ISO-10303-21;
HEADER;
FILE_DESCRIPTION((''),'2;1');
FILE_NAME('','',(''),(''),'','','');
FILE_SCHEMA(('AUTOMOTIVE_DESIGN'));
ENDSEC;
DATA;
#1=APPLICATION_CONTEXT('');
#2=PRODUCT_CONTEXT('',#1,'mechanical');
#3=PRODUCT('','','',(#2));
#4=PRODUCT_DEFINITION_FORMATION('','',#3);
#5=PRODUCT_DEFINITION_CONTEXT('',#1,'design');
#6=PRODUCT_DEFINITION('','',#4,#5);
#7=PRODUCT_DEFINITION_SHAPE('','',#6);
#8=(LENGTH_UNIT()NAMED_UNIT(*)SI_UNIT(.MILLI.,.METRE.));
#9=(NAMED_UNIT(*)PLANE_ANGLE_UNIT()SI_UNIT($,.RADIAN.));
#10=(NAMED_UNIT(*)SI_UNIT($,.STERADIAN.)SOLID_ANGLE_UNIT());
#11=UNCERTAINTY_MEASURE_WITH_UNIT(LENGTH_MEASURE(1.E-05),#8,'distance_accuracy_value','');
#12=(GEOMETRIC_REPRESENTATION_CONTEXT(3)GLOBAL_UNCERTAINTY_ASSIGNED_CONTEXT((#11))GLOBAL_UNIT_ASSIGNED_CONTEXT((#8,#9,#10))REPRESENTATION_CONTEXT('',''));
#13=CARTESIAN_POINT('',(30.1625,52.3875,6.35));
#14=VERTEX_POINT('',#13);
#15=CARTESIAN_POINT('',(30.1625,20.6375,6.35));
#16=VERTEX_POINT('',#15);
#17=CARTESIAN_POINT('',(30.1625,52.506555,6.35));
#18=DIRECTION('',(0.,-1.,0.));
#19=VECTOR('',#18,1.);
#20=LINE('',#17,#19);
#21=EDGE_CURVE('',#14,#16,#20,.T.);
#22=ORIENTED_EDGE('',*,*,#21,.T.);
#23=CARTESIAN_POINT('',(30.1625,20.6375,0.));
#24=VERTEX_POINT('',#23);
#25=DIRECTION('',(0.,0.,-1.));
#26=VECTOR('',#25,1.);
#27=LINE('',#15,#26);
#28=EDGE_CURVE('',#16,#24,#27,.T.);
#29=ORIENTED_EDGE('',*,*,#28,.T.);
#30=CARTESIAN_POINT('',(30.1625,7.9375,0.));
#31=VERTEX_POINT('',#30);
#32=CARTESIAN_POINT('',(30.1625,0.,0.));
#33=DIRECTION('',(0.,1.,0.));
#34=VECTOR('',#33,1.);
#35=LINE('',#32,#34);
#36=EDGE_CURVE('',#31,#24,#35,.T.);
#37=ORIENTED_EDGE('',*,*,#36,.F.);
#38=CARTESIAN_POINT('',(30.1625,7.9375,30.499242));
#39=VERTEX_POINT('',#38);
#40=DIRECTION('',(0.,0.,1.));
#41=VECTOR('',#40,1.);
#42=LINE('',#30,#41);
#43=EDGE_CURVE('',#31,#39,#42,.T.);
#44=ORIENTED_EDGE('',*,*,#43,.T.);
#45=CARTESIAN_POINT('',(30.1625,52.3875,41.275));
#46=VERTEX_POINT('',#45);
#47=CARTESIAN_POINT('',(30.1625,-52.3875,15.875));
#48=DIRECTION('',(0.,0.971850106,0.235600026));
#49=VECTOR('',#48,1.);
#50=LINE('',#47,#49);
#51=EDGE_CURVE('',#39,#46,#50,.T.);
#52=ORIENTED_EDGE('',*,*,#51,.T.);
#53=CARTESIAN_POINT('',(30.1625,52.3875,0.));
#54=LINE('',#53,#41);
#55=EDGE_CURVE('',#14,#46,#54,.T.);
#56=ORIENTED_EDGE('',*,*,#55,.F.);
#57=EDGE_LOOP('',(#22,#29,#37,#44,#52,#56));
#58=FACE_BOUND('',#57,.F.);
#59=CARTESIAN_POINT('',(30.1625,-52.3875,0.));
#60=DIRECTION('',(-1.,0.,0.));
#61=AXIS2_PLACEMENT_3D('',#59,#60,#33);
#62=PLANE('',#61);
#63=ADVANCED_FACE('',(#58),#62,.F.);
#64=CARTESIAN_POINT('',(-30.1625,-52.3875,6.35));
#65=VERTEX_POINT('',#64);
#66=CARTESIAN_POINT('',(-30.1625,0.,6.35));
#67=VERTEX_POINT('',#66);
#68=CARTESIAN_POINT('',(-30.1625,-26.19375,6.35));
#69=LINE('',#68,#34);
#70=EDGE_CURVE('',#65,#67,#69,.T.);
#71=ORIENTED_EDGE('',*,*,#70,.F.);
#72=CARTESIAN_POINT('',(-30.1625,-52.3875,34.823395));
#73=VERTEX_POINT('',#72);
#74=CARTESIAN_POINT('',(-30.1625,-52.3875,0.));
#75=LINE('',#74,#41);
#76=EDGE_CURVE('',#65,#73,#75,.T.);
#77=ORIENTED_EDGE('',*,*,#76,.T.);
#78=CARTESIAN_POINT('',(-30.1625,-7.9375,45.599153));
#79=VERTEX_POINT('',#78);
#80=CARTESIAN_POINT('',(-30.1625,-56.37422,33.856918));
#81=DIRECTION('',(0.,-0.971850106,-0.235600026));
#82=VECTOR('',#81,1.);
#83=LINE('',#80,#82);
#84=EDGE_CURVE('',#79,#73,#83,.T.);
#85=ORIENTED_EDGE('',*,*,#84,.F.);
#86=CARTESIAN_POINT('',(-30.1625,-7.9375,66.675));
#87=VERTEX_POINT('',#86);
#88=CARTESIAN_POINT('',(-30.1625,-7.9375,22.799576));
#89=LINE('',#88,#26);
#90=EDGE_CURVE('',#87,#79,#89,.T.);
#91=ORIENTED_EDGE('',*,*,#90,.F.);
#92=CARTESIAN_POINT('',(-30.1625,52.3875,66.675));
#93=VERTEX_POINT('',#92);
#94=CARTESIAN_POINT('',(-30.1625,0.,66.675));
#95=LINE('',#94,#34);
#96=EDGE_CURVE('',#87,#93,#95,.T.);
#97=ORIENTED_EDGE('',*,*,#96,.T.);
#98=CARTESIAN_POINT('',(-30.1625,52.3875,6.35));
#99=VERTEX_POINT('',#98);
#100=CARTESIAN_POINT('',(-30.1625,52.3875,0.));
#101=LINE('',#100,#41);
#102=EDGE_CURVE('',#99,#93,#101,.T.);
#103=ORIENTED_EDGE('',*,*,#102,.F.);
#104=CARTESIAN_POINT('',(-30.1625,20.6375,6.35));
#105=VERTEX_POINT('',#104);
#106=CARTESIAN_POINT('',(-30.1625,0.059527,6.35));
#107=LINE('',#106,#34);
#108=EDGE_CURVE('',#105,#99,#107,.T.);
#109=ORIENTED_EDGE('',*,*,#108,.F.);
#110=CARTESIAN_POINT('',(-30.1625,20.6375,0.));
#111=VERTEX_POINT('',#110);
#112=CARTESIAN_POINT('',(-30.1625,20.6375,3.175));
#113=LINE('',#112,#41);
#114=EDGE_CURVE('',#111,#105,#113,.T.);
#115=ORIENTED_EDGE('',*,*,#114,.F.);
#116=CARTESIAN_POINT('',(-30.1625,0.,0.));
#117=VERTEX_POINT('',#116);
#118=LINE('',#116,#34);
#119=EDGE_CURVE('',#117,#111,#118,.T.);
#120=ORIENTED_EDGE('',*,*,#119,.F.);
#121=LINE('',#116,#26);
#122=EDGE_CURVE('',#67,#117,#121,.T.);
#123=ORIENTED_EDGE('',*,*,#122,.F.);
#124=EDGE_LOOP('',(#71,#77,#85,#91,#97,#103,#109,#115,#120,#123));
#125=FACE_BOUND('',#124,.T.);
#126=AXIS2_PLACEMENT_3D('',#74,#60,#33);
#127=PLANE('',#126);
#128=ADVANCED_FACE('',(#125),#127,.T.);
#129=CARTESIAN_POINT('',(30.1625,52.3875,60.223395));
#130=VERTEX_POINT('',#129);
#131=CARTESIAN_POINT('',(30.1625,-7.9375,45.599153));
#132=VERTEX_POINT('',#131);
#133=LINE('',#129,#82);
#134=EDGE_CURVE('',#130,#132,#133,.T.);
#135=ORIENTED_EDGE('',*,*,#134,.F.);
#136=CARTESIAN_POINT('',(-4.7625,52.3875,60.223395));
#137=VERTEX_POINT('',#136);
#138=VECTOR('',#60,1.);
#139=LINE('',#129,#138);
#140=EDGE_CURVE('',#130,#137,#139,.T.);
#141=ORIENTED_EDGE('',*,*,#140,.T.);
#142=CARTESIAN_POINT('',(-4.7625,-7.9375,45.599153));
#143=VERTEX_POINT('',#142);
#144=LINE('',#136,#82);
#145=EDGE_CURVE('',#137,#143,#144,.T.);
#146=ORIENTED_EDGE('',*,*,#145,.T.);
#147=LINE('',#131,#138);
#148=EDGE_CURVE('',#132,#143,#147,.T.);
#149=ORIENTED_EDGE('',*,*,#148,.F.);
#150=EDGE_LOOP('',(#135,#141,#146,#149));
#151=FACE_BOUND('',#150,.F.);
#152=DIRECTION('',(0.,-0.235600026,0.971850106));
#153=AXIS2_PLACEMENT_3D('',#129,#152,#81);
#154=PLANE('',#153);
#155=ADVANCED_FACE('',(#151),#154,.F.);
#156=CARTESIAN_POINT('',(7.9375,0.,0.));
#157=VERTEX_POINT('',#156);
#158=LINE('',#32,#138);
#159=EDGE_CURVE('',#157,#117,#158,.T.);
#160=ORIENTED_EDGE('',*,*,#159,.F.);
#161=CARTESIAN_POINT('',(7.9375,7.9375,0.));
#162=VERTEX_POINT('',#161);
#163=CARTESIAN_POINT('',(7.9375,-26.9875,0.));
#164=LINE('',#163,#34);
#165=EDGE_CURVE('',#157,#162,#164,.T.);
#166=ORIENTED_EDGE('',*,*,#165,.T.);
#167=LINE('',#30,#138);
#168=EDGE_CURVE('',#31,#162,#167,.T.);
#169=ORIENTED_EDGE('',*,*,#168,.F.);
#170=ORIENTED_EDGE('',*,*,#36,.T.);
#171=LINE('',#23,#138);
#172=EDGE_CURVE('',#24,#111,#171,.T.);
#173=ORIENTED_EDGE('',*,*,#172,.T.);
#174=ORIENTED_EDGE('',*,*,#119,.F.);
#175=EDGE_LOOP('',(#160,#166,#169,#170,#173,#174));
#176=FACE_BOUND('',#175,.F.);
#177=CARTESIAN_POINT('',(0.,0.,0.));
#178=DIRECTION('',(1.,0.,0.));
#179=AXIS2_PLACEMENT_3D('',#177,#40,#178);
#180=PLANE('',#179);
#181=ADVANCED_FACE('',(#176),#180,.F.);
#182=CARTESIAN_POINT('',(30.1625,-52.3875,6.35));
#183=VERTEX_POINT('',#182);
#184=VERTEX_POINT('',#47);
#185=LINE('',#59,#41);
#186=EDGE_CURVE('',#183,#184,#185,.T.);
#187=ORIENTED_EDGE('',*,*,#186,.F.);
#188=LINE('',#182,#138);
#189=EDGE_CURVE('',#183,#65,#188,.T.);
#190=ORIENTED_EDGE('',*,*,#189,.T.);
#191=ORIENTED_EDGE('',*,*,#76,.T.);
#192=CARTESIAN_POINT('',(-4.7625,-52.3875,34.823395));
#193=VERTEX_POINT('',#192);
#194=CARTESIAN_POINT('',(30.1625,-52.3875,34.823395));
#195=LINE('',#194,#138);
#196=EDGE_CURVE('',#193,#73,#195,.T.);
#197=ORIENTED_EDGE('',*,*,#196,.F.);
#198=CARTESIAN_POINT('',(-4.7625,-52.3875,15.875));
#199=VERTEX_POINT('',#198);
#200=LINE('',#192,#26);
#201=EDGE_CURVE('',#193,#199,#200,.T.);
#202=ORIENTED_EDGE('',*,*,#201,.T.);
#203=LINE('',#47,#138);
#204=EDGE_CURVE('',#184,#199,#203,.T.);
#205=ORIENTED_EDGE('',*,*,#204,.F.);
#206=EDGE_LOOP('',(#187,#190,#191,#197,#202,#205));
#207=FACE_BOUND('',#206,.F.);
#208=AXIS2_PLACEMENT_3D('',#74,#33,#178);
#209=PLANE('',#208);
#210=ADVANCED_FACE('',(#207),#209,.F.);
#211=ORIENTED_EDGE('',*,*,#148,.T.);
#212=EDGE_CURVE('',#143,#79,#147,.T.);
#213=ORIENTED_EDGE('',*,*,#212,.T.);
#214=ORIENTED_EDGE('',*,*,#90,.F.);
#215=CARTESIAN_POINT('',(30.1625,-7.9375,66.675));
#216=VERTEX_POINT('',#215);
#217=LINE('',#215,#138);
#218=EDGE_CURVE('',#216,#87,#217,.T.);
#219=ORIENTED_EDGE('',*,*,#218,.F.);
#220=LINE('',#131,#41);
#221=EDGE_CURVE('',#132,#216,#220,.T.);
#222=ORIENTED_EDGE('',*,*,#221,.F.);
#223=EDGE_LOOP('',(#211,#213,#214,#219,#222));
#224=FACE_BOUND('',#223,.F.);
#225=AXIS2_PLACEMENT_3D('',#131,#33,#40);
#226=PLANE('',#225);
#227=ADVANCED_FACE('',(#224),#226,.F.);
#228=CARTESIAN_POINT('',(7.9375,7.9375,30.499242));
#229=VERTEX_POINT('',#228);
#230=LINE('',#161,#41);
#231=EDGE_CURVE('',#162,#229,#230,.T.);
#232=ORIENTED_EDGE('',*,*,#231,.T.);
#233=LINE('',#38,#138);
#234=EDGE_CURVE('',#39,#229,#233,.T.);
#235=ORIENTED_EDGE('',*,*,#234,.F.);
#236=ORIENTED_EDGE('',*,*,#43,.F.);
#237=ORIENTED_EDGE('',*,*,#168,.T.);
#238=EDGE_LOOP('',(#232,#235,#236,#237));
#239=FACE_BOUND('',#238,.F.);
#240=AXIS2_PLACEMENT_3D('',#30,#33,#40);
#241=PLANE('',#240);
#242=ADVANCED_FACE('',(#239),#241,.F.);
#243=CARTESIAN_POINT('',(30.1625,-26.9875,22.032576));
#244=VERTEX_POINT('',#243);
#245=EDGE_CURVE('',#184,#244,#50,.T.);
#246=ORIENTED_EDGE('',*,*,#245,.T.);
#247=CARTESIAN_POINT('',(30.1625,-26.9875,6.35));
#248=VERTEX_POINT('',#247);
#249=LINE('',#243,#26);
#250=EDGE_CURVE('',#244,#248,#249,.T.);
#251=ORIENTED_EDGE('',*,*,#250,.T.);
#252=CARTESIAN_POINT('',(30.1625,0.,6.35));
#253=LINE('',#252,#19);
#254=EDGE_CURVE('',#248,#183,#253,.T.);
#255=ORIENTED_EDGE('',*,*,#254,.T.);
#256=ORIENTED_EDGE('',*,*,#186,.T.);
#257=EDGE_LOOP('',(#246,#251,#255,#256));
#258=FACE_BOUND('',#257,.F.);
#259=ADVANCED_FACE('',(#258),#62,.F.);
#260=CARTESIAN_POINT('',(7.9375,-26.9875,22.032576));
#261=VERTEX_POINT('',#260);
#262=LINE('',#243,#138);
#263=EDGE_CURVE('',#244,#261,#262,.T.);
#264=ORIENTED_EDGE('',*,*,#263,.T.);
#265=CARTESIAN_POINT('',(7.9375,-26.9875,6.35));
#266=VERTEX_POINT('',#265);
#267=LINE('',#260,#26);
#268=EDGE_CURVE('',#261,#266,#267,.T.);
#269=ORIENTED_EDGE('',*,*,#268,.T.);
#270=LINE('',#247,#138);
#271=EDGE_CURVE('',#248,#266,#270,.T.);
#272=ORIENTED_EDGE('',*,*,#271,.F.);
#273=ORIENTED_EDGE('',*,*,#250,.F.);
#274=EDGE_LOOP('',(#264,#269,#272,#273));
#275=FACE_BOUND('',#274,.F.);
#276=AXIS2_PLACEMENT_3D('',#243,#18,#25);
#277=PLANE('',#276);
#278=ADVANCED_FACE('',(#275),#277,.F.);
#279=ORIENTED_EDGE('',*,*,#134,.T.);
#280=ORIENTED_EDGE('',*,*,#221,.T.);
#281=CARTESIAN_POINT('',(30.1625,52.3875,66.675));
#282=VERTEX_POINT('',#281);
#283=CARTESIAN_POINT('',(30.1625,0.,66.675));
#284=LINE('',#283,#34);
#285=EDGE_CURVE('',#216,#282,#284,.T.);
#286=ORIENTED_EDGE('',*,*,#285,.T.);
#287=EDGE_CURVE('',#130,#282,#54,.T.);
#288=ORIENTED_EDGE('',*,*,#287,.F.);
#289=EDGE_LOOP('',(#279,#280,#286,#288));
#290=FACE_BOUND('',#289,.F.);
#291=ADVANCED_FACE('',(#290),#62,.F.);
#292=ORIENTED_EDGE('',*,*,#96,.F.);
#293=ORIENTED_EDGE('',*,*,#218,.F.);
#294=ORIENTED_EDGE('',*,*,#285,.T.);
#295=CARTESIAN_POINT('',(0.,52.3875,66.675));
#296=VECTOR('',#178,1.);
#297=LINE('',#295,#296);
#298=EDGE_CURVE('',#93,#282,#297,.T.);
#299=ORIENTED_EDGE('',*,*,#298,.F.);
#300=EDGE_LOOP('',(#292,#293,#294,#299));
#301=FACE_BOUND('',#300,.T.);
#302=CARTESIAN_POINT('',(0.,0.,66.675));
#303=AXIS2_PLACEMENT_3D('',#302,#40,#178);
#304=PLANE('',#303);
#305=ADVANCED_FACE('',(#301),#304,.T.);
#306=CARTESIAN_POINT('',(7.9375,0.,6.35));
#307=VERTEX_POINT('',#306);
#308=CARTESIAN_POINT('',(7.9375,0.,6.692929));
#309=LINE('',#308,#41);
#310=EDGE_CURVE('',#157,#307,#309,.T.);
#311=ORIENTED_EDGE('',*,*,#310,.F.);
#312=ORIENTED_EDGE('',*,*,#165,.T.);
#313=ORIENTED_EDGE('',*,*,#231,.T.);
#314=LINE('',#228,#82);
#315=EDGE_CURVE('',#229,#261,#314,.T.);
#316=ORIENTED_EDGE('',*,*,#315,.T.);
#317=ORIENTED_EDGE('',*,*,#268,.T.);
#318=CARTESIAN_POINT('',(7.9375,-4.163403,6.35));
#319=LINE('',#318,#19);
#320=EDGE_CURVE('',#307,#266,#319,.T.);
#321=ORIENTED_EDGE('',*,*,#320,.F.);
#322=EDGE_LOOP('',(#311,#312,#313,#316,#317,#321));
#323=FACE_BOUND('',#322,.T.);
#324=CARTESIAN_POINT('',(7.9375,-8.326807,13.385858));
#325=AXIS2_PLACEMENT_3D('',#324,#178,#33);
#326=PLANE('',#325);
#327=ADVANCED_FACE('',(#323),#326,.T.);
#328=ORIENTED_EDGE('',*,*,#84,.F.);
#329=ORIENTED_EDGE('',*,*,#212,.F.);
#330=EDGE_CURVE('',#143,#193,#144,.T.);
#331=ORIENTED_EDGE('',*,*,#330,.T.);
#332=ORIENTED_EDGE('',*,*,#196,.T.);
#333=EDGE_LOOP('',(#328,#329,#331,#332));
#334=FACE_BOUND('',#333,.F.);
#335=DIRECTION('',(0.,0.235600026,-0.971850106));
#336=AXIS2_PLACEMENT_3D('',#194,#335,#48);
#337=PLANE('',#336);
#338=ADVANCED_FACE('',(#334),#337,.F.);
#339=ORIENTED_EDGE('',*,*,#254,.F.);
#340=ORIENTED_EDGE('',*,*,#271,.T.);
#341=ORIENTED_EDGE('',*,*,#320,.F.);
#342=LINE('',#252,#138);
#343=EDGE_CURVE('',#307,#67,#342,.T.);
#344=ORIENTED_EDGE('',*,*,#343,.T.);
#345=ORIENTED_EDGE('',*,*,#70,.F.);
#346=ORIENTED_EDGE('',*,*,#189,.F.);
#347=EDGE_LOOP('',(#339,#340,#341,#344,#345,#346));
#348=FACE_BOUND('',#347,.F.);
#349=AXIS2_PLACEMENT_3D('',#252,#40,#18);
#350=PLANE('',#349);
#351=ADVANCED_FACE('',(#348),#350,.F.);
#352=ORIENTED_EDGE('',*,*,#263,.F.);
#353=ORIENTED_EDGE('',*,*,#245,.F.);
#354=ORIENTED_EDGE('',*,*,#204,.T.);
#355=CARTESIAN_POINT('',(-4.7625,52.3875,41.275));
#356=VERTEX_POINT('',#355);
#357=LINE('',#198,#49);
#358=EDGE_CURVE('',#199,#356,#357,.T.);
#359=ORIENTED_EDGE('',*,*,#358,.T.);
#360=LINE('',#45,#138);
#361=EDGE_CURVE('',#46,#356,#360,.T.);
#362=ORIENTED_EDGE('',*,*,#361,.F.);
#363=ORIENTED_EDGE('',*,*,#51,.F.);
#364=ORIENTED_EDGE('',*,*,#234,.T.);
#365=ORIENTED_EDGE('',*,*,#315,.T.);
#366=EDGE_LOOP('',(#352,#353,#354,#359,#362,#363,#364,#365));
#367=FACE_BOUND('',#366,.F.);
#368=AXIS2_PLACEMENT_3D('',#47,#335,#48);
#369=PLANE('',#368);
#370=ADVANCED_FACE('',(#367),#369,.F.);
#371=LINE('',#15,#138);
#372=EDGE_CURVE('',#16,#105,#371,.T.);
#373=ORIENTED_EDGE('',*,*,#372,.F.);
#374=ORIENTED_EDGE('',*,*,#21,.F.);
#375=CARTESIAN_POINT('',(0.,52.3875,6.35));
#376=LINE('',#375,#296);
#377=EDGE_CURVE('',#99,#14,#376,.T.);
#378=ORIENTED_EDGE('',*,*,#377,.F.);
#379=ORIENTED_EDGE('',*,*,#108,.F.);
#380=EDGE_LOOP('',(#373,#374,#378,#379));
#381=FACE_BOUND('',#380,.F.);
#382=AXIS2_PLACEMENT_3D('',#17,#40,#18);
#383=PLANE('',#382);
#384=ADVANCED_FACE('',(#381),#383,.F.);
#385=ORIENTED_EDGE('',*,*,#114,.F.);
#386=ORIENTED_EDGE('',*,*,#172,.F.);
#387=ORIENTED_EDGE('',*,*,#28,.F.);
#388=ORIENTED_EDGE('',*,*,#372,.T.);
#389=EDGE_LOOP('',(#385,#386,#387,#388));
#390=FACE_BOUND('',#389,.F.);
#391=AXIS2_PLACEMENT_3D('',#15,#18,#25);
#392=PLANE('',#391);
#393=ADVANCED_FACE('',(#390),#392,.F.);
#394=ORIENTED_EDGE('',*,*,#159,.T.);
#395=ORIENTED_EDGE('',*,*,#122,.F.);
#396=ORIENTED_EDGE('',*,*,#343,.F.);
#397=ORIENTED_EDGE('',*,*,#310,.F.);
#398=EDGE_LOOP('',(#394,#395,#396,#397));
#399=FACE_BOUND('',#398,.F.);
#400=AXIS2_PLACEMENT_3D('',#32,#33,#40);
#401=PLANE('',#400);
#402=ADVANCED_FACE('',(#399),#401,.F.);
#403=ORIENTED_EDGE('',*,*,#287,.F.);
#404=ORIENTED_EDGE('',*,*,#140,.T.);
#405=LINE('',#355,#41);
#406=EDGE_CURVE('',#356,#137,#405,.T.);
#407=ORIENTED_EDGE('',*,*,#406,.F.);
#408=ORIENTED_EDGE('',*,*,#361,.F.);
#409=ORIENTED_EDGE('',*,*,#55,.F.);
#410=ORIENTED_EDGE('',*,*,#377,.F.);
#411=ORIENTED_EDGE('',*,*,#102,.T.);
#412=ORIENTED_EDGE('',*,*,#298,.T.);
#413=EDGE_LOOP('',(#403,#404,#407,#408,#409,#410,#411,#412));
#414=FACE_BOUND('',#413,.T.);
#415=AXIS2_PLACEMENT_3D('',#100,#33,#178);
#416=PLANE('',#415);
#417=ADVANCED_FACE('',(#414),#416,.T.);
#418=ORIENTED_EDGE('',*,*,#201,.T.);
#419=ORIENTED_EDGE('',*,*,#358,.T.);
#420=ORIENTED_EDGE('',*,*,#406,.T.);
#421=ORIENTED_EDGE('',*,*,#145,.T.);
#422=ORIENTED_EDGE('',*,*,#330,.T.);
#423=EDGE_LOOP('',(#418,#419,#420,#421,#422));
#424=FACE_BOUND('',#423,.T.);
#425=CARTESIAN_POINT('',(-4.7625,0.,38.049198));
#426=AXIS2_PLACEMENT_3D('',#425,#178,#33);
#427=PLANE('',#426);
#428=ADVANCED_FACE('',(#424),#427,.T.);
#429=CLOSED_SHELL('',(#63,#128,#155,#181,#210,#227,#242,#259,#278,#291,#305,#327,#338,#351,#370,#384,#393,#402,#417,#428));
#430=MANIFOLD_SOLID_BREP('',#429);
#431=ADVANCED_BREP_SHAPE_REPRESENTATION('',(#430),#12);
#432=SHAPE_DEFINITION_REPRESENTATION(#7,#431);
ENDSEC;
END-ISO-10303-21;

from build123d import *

# Parameters (mm, degrees)
F0_W     = 60.325
F0_H     = 104.775
F1_DEPTH = 66.675
F3_DEPTH = 34.925
F5_DEPTH = 22.225
F6_W     = 26.9875
F6_H     = 6.35
F6_W_2   = 25.4
F7_DEPTH = 60.326
F9_DEPTH = 60.326


with BuildPart() as f1:
    # F0 (on Top) → F1 (new body)
    with BuildSketch(Plane.XY):
        Rectangle(F0_W, F0_H)
    extrude(amount=F1_DEPTH)

    # F2 (on face) → F3 (cut)
    with BuildSketch(Plane.YZ.offset(30.1625)):
        Polygon((-52.3875, 34.8233953258), (-52.3875, 15.875), (52.3875, 41.275), (52.3875, 60.2233953258), align=None)
    extrude(amount=-F3_DEPTH, mode=Mode.SUBTRACT)

    # F4 (on face) → F5 (cut)
    with BuildSketch(Plane.YZ.offset(30.1625)):
        Polygon((7.9375, 0), (7.9375, 30.4992424242), (-26.9875, 22.0325757576), (-26.9875, 0), align=None)
    extrude(amount=-F5_DEPTH, mode=Mode.SUBTRACT)

    # F6 (on face) → F7 (cut, through all)
    with BuildSketch(Plane.YZ.offset(30.1625)):
        with Locations((-13.49375, 3.175)):
            Rectangle(F6_W, F6_H)
        with Locations((-39.6875, 3.175)):
            Rectangle(F6_W_2, F6_H)
        Polygon((52.8014078736, 0), (52.5065548718, 6.35), (20.6375, 6.35), (20.6375, 0), align=None)
    extrude(amount=-F7_DEPTH, mode=Mode.SUBTRACT)

    # F8 (on face) → F9 (cut, through all)
    with BuildSketch(Plane.YZ.offset(30.1625)):
        Polygon((-7.9375, 45.5991529015), (-7.9375, 66.675), (-52.3875, 66.675), (-52.3875, 34.8233953258), align=None)
    extrude(amount=-F9_DEPTH, mode=Mode.SUBTRACT)


solid = f1.part
